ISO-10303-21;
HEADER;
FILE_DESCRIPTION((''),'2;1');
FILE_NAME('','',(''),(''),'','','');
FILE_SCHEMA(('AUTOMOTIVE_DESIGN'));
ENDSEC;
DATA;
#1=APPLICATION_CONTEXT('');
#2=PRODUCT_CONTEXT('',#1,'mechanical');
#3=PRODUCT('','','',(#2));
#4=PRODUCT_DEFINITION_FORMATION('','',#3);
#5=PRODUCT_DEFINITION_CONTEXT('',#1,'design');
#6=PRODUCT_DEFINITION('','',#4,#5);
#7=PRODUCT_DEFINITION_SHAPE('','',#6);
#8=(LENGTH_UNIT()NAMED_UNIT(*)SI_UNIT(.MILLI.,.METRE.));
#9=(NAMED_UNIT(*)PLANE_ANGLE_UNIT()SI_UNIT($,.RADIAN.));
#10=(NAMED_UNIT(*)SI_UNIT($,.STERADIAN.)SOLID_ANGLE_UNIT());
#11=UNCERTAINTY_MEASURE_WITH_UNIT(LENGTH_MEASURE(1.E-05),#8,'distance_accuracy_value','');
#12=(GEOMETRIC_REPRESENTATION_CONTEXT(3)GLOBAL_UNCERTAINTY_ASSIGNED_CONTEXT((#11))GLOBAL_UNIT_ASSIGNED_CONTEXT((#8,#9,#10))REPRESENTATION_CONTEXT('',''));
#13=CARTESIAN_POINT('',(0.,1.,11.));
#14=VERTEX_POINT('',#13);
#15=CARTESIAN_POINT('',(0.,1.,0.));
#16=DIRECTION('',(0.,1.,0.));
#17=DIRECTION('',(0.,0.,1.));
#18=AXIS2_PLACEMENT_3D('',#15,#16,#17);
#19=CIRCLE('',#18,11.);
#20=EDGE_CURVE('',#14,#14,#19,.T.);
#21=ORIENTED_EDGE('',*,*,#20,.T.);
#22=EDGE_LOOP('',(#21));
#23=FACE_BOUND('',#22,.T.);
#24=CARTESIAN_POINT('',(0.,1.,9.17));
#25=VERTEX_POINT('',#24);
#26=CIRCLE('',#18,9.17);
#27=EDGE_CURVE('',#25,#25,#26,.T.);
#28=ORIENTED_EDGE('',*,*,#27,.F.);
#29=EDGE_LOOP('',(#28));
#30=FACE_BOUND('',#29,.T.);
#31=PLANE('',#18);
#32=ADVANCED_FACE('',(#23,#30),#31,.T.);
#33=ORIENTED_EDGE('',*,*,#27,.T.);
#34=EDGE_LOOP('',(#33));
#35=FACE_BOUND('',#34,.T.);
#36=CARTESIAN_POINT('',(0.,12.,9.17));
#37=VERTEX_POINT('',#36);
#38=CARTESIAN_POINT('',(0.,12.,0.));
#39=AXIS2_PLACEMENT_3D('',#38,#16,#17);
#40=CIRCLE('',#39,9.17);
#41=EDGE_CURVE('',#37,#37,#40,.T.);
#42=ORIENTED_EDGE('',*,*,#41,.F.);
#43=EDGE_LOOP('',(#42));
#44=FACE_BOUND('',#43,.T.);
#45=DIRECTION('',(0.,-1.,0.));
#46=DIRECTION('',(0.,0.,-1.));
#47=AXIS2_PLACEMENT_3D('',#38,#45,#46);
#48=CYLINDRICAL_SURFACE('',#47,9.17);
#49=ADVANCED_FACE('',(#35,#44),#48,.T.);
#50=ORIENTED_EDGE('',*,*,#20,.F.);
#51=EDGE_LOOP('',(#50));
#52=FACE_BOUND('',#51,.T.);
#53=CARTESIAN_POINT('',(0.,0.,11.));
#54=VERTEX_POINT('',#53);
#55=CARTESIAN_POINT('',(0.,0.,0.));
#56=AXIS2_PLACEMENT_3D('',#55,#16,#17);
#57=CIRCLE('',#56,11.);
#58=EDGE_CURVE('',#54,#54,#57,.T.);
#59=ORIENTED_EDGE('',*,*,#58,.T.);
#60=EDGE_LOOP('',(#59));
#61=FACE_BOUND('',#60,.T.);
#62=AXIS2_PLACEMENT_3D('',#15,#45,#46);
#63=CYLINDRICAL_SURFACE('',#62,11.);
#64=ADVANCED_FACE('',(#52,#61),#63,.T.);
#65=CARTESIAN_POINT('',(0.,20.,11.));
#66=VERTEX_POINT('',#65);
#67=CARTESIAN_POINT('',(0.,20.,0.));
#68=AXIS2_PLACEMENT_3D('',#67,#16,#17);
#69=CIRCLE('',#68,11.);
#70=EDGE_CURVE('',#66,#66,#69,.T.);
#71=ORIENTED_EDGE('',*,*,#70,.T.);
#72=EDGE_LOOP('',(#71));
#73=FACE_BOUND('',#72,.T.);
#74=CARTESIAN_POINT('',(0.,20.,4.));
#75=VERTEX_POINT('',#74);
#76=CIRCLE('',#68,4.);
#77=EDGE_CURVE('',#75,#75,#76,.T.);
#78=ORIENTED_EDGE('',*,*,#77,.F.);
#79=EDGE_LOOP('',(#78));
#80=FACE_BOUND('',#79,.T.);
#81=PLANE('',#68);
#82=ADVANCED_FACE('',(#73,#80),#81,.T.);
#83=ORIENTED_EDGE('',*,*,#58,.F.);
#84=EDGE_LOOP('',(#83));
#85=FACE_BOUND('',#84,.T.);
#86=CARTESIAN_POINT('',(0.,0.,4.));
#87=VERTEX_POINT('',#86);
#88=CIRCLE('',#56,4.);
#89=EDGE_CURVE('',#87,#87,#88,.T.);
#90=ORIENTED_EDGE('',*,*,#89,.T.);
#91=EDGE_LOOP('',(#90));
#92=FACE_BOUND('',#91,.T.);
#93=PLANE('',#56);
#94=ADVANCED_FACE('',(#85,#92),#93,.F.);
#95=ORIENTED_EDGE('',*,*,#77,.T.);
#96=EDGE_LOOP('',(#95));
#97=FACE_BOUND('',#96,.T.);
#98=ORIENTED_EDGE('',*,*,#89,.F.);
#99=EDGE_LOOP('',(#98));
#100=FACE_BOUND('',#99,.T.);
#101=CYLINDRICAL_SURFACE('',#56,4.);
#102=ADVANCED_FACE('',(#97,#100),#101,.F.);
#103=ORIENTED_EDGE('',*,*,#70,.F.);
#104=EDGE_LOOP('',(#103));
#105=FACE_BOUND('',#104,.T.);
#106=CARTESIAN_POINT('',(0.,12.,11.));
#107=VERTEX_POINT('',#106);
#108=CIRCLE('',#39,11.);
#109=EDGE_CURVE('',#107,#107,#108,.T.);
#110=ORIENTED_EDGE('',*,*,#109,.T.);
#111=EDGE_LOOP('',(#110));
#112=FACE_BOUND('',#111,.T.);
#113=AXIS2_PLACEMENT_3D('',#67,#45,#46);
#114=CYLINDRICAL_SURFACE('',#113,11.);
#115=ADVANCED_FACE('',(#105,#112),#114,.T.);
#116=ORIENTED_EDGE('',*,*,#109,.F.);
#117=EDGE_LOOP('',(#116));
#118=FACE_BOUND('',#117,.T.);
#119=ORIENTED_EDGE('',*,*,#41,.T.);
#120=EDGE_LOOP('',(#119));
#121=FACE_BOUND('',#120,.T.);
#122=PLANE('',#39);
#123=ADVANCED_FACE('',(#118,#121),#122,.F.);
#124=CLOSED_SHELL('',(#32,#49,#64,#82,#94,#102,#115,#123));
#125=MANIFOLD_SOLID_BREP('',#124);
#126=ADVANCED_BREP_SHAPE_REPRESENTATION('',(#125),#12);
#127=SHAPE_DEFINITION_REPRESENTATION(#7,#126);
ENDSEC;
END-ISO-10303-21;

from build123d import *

# Parameters (mm, degrees)
SKETCH_1_R          = 11
EXTRUDE_1_DEPTH     = 1
SKETCH_2_R          = 9.17
EXTRUDE_2_DEPTH     = 11
SKETCH_3_R          = 11
EXTRUDE_3_DEPTH     = 8
SKETCH_4_R          = 4
CUT_EXTRUDE_1_DEPTH = 26.337718919


with BuildPart() as part:
    # Эскиз1 → Бобышка-Вытянуть1 (new body)
    with BuildSketch(Plane(origin=(0, 0, 0), x_dir=(1, 0, 0), z_dir=(0, 1, 0))):
        with Locations(Location((0, 0, 0), (0, 0, 270))):
            Circle(SKETCH_1_R)
    extrude(amount=EXTRUDE_1_DEPTH)

    # Эскиз2 → Бобышка-Вытянуть2 (add)
    with BuildSketch(Plane(origin=(0, 1, 0), x_dir=(1, 0, 0), z_dir=(0, 1, 0))):
        with Locations(Location((0, 0, 0), (0, 0, 270))):
            Circle(SKETCH_2_R)
    extrude(amount=EXTRUDE_2_DEPTH)

    # Эскиз3 → Бобышка-Вытянуть3 (add)
    with BuildSketch(Plane(origin=(0, 12, 0), x_dir=(1, 0, 0), z_dir=(0, 1, 0))):
        with Locations(Location((0, 0, 0), (0, 0, 270))):
            Circle(SKETCH_3_R)
    extrude(amount=EXTRUDE_3_DEPTH)

    # Эскиз4 → Вырез-Вытянуть1 (cut, through all)
    with BuildSketch(Plane(origin=(0, 20, 0), x_dir=(1, 0, 0), z_dir=(0, 1, 0))):
        with Locations(Location((0, 0, 0), (0, 0, 270))):
            Circle(SKETCH_4_R)
    extrude(amount=-CUT_EXTRUDE_1_DEPTH, mode=Mode.SUBTRACT)


solid = part.part
